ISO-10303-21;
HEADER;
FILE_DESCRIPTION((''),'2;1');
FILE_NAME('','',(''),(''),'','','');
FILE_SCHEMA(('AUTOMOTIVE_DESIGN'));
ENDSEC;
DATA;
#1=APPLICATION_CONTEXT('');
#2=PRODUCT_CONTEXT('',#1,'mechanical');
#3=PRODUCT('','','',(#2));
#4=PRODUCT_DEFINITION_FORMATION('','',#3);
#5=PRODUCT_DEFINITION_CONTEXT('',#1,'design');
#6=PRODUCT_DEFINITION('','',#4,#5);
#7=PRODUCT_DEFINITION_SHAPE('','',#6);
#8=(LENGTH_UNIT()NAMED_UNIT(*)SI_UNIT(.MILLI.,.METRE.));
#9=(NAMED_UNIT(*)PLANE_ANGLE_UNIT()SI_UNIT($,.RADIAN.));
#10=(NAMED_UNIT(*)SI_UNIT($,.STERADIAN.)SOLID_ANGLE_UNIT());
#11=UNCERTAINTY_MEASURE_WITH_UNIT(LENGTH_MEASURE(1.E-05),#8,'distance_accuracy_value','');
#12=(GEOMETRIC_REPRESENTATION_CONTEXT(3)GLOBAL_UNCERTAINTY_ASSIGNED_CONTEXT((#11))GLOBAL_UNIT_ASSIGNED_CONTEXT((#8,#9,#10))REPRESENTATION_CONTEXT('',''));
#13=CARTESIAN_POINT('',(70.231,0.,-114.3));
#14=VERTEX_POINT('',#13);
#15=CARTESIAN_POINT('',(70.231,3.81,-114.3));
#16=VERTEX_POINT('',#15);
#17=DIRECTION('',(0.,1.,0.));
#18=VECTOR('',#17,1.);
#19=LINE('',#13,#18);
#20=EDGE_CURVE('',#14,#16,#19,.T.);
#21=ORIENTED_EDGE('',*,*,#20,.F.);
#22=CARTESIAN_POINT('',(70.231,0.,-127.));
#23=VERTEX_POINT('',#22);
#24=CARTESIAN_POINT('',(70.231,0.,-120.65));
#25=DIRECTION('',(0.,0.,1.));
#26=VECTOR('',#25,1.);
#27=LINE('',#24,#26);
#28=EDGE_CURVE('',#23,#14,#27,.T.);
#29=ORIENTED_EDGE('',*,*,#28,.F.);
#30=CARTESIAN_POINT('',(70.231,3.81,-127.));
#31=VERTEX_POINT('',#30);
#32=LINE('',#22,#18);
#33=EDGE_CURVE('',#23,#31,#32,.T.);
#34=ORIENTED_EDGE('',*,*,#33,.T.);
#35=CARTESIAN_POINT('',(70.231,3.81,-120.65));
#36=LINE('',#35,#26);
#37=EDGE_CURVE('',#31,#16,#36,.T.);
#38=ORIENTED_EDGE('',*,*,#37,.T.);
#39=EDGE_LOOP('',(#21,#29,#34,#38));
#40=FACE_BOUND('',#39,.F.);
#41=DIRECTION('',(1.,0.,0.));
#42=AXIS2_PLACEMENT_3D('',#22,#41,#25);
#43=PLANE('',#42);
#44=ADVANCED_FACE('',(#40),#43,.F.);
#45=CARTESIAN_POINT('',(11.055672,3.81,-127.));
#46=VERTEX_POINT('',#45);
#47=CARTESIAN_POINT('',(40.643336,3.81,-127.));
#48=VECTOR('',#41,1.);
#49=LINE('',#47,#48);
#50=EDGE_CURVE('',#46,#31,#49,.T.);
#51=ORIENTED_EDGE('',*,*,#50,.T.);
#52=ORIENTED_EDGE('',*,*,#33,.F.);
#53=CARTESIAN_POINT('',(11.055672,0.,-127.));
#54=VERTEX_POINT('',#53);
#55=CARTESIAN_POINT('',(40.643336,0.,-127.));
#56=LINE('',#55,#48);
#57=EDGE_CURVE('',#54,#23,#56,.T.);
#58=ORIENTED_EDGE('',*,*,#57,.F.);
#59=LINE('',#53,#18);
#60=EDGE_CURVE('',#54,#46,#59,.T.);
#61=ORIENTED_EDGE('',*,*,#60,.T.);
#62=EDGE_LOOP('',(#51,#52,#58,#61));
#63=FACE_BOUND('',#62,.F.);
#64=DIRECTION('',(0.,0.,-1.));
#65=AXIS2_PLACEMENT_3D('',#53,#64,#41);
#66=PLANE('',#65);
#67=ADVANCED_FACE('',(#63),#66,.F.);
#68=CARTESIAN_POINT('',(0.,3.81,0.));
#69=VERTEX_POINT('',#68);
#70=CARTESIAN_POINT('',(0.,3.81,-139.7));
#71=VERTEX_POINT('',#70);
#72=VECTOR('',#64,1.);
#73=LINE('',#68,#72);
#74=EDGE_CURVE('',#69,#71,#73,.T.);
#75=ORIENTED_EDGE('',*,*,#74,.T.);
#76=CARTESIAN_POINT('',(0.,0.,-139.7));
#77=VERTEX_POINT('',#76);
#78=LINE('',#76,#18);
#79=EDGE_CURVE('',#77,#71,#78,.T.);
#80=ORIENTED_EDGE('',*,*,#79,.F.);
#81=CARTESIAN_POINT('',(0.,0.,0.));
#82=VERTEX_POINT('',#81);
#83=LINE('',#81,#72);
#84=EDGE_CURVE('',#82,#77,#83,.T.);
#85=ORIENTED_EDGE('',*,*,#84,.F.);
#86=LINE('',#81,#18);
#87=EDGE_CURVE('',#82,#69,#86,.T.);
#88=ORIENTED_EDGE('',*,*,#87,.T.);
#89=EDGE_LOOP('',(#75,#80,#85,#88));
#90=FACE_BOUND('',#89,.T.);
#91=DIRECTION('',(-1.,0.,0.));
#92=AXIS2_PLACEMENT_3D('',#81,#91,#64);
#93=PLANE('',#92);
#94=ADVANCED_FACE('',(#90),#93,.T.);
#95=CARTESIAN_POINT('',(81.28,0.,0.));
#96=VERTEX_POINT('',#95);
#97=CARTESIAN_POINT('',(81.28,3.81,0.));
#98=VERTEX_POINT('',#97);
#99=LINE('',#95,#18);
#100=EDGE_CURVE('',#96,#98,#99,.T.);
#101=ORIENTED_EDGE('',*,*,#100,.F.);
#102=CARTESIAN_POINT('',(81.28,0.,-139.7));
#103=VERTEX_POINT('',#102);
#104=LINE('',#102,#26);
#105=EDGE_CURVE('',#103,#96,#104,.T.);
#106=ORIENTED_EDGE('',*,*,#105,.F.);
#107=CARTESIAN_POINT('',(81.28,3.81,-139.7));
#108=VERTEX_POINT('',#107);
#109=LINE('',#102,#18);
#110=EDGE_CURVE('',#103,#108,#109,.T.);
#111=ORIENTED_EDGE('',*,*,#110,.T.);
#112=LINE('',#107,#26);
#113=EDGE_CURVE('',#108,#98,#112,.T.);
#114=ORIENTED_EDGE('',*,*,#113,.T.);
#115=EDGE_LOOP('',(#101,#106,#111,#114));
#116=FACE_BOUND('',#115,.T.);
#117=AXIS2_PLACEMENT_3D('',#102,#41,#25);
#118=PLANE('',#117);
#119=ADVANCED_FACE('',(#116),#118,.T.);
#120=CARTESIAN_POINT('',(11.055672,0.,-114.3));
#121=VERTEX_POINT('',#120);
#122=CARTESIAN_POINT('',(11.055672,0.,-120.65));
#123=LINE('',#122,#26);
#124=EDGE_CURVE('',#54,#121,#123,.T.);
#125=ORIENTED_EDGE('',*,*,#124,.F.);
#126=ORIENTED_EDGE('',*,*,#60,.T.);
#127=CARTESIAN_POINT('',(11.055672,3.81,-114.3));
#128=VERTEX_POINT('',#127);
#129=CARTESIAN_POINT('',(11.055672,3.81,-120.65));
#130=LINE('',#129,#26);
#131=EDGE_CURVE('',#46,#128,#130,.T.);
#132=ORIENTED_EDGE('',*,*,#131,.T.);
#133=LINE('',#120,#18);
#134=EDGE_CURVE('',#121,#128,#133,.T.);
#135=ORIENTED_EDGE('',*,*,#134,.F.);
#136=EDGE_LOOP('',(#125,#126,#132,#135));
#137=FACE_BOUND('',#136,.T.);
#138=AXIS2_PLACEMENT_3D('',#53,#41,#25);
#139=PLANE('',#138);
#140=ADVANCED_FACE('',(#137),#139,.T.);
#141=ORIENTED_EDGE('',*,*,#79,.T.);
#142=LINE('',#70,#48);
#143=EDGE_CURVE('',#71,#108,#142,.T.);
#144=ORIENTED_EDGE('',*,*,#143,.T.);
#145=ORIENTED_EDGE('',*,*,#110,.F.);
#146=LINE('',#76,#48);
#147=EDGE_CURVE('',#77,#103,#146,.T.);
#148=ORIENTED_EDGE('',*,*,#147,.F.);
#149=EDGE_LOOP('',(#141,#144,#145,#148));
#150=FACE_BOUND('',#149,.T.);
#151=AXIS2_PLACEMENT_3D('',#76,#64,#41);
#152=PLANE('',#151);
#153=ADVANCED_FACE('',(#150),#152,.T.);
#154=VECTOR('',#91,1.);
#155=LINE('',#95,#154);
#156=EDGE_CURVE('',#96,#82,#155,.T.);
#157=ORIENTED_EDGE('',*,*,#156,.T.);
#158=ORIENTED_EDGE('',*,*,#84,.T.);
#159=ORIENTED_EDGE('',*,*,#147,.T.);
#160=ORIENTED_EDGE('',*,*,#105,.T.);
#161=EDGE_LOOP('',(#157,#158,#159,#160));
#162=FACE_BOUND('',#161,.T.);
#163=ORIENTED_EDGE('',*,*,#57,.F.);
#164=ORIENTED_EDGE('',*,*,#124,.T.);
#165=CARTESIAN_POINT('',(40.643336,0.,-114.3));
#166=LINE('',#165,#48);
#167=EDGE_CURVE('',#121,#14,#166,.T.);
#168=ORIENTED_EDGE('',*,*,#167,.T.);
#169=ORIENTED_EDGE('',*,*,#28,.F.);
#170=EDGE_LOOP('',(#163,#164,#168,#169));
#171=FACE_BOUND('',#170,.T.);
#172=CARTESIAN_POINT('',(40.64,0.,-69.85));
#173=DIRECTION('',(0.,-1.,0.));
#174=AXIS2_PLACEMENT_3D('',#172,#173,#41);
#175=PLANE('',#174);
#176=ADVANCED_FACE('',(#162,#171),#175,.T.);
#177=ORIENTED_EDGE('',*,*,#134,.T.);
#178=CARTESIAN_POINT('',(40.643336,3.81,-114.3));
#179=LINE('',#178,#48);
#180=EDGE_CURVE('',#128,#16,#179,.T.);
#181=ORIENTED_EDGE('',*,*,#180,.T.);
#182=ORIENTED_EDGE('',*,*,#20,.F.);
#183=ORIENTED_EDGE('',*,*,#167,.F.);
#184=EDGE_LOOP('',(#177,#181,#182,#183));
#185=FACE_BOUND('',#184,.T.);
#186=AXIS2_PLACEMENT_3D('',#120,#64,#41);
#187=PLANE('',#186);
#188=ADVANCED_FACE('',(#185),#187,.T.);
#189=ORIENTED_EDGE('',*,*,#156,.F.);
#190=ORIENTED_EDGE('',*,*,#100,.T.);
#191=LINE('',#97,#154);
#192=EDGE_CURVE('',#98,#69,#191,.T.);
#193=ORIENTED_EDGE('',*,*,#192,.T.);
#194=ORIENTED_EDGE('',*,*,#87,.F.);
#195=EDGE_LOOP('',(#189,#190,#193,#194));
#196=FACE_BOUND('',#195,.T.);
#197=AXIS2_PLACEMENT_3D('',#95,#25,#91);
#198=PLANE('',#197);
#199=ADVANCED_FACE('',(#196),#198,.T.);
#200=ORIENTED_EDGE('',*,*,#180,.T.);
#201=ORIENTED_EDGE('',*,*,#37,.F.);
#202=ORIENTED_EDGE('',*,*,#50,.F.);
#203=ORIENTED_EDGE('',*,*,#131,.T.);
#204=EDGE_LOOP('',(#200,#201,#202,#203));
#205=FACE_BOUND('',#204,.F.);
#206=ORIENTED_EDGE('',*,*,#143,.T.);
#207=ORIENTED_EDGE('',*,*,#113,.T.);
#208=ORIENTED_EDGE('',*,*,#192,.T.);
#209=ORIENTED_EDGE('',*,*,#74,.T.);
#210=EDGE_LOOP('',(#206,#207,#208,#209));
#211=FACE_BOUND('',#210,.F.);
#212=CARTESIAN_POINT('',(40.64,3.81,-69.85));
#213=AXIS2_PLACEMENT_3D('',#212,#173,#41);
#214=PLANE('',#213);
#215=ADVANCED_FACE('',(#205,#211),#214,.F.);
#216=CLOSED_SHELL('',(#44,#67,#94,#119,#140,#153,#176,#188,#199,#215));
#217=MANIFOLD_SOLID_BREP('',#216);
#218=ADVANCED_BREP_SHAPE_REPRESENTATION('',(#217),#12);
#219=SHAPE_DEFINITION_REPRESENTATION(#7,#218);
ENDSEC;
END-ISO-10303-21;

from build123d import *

# Parameters (mm, degrees)
F0_W     = 59.175328
F0_H     = 12.7
F1_DEPTH = 3.81


with BuildPart() as f1:
    # F0 (on Front) → F1 (new body)
    with BuildSketch(Plane.XZ):
        Polygon((81.28, 0), (0, 0), (0, -114.3), (0, -127), (0, -139.7), (81.28, -139.7), (81.28, -127), (81.28, -114.3), align=None)
        with Locations((40.643336, -120.65)):
            Rectangle(F0_W, F0_H, mode=Mode.SUBTRACT)
    extrude(amount=-F1_DEPTH)


solid = f1.part
